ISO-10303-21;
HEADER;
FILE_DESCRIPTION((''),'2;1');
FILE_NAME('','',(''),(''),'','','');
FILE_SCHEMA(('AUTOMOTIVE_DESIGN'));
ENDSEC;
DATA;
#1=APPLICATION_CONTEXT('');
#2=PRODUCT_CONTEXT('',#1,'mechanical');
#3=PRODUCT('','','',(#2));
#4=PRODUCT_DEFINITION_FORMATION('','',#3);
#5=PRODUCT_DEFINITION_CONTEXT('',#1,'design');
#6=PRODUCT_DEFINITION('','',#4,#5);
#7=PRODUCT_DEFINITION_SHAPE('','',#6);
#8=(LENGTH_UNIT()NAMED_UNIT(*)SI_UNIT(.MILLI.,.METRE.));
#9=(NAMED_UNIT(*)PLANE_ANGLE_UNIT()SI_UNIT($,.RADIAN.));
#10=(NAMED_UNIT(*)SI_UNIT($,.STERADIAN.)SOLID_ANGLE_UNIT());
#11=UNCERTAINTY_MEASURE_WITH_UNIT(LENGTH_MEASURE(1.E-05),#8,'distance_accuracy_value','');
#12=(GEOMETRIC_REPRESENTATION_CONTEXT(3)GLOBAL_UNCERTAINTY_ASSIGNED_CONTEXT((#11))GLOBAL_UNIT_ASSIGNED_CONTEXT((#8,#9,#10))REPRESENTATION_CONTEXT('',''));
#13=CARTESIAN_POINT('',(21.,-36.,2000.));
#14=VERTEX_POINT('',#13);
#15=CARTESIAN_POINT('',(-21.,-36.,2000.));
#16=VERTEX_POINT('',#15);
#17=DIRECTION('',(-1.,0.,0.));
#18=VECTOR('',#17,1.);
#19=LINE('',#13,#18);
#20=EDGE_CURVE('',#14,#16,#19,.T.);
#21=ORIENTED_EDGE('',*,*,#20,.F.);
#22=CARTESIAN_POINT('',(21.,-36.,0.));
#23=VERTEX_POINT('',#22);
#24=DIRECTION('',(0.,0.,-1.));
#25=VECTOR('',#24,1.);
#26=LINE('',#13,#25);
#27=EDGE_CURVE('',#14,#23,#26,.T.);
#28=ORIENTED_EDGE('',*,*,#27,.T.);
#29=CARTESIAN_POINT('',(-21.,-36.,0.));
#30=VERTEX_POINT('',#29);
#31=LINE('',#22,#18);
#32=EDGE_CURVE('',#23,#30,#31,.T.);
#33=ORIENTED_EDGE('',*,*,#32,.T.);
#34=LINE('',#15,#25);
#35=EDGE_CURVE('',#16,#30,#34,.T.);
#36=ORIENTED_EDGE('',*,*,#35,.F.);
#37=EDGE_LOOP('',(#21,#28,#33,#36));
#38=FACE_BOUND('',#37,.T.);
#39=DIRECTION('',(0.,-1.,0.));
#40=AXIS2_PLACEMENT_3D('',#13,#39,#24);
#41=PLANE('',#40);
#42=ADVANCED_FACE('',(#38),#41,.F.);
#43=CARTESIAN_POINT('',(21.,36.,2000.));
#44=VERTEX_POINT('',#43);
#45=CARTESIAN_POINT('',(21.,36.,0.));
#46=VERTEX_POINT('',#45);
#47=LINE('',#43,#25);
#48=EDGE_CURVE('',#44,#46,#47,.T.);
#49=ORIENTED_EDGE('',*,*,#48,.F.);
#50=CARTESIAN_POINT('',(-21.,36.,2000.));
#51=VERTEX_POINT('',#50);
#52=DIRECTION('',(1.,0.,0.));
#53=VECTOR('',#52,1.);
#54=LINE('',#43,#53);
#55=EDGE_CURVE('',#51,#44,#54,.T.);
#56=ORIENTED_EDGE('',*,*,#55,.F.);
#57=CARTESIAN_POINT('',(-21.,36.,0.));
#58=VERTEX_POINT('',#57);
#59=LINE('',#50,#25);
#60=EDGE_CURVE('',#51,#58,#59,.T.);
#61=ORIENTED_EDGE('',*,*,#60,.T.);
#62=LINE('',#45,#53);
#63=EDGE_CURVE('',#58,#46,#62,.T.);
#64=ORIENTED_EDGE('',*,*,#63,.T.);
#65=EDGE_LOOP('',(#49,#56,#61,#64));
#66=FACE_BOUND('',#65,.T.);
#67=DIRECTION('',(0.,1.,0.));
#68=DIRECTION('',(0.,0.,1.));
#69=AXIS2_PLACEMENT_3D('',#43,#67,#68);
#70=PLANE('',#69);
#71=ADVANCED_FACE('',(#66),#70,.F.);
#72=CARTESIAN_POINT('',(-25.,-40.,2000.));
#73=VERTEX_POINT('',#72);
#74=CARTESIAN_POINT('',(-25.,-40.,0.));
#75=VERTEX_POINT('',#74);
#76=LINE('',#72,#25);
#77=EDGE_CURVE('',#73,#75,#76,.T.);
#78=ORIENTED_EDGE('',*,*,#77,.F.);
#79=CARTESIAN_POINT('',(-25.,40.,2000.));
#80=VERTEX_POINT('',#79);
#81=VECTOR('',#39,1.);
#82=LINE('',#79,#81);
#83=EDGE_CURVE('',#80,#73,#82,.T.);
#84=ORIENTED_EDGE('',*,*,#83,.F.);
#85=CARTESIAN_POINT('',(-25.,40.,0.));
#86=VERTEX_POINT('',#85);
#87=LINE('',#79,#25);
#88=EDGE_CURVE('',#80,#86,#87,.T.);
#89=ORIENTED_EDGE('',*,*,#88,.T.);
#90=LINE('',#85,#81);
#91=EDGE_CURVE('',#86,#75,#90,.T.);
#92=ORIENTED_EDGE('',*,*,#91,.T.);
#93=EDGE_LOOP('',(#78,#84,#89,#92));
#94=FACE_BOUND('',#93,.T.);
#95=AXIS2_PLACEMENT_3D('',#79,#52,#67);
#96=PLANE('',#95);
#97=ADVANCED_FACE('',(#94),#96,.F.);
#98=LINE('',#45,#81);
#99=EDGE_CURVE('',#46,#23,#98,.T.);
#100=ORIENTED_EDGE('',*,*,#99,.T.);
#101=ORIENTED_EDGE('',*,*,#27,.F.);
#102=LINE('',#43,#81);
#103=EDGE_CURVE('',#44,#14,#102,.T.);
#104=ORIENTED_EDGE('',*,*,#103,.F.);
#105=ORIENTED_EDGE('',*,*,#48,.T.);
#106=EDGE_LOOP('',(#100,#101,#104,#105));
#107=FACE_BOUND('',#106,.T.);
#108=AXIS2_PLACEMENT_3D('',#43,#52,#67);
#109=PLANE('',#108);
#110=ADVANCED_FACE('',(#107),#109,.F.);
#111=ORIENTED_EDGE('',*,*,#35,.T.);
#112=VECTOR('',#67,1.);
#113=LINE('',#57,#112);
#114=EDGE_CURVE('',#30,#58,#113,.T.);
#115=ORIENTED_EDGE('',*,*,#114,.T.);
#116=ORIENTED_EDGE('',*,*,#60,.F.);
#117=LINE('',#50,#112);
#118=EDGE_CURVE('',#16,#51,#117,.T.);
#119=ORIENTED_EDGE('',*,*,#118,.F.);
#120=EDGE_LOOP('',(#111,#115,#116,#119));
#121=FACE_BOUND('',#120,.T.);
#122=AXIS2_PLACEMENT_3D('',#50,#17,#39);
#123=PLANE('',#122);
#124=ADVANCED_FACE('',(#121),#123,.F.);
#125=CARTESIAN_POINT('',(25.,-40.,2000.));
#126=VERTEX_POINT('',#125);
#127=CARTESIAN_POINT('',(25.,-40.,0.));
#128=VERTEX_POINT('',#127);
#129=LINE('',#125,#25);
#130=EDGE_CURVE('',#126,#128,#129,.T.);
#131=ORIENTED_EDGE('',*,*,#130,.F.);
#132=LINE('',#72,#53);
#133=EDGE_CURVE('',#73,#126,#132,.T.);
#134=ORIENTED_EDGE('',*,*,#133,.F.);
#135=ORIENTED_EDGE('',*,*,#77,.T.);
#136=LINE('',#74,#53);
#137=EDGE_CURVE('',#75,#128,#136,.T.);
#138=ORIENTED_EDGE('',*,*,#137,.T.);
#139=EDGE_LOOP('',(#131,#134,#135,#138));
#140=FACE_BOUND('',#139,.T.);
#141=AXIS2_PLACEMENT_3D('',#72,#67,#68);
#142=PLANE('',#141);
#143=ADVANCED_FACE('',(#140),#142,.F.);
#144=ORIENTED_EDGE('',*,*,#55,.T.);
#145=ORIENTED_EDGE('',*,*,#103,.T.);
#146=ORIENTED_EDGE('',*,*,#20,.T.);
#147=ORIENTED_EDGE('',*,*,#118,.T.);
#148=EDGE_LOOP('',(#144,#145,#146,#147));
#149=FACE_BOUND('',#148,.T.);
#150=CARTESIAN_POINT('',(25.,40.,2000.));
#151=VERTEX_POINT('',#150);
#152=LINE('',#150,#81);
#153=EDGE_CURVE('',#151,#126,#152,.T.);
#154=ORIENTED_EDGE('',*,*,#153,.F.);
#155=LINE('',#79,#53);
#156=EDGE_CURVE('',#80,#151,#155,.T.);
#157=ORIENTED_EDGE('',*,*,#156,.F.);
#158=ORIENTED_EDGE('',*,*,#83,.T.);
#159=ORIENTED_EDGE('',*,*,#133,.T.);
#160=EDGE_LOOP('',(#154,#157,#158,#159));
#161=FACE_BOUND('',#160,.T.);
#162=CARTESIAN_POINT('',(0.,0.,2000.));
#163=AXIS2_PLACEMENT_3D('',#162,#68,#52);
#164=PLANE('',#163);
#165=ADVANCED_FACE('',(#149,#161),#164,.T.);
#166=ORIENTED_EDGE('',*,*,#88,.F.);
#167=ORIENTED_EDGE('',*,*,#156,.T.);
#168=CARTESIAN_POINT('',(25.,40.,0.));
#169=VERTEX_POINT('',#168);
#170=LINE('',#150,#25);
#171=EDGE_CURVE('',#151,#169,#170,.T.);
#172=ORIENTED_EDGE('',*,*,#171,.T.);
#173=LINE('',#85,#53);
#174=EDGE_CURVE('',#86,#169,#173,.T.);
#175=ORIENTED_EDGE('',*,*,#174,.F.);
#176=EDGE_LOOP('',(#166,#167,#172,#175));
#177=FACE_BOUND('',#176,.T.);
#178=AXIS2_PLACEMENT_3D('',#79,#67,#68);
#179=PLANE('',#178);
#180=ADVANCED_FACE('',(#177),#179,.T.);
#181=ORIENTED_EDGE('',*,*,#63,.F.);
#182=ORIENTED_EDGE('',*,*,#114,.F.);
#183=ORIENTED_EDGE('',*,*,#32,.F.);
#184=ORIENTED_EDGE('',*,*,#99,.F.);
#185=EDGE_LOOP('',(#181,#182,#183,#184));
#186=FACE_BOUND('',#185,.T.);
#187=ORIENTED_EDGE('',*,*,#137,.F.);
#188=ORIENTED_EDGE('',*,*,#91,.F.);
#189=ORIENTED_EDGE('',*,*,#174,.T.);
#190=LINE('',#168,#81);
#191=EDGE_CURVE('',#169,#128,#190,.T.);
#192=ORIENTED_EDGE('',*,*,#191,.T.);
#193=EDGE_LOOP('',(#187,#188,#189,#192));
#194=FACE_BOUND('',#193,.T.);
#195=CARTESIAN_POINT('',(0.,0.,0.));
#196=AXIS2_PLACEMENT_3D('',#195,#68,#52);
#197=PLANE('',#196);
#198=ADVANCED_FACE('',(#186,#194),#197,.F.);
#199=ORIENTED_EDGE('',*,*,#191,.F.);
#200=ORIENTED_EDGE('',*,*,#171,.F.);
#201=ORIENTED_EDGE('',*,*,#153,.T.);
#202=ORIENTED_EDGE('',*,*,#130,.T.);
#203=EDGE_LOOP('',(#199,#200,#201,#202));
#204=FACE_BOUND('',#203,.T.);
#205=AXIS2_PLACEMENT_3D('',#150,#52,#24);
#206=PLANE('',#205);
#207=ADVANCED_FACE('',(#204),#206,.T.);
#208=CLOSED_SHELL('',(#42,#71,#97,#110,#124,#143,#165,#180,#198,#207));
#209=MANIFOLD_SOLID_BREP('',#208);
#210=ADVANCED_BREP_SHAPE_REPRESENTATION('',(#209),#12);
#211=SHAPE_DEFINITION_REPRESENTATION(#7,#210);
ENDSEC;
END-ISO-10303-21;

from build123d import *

# Parameters (mm, degrees)
SKETCH1_W           = 50
SKETCH1_H           = 80
BOSS_EXTRUDE1_DEPTH = 2000
SKETCH2_W           = 42
SKETCH2_H           = 72
CUT_EXTRUDE1_DEPTH  = 2000


with BuildPart() as part:
    # Sketch1 → Boss-Extrude1 (new body)
    with BuildSketch(Plane.XY):
        Rectangle(SKETCH1_W, SKETCH1_H)
    extrude(amount=BOSS_EXTRUDE1_DEPTH)

    # Sketch2 → Cut-Extrude1 (cut)
    with BuildSketch(Plane(origin=(0, 0, 0), x_dir=(-1, 0, 0), z_dir=(0, 0, -1))):
        Rectangle(SKETCH2_W, SKETCH2_H)
    extrude(amount=-CUT_EXTRUDE1_DEPTH, mode=Mode.SUBTRACT)


solid = part.part
